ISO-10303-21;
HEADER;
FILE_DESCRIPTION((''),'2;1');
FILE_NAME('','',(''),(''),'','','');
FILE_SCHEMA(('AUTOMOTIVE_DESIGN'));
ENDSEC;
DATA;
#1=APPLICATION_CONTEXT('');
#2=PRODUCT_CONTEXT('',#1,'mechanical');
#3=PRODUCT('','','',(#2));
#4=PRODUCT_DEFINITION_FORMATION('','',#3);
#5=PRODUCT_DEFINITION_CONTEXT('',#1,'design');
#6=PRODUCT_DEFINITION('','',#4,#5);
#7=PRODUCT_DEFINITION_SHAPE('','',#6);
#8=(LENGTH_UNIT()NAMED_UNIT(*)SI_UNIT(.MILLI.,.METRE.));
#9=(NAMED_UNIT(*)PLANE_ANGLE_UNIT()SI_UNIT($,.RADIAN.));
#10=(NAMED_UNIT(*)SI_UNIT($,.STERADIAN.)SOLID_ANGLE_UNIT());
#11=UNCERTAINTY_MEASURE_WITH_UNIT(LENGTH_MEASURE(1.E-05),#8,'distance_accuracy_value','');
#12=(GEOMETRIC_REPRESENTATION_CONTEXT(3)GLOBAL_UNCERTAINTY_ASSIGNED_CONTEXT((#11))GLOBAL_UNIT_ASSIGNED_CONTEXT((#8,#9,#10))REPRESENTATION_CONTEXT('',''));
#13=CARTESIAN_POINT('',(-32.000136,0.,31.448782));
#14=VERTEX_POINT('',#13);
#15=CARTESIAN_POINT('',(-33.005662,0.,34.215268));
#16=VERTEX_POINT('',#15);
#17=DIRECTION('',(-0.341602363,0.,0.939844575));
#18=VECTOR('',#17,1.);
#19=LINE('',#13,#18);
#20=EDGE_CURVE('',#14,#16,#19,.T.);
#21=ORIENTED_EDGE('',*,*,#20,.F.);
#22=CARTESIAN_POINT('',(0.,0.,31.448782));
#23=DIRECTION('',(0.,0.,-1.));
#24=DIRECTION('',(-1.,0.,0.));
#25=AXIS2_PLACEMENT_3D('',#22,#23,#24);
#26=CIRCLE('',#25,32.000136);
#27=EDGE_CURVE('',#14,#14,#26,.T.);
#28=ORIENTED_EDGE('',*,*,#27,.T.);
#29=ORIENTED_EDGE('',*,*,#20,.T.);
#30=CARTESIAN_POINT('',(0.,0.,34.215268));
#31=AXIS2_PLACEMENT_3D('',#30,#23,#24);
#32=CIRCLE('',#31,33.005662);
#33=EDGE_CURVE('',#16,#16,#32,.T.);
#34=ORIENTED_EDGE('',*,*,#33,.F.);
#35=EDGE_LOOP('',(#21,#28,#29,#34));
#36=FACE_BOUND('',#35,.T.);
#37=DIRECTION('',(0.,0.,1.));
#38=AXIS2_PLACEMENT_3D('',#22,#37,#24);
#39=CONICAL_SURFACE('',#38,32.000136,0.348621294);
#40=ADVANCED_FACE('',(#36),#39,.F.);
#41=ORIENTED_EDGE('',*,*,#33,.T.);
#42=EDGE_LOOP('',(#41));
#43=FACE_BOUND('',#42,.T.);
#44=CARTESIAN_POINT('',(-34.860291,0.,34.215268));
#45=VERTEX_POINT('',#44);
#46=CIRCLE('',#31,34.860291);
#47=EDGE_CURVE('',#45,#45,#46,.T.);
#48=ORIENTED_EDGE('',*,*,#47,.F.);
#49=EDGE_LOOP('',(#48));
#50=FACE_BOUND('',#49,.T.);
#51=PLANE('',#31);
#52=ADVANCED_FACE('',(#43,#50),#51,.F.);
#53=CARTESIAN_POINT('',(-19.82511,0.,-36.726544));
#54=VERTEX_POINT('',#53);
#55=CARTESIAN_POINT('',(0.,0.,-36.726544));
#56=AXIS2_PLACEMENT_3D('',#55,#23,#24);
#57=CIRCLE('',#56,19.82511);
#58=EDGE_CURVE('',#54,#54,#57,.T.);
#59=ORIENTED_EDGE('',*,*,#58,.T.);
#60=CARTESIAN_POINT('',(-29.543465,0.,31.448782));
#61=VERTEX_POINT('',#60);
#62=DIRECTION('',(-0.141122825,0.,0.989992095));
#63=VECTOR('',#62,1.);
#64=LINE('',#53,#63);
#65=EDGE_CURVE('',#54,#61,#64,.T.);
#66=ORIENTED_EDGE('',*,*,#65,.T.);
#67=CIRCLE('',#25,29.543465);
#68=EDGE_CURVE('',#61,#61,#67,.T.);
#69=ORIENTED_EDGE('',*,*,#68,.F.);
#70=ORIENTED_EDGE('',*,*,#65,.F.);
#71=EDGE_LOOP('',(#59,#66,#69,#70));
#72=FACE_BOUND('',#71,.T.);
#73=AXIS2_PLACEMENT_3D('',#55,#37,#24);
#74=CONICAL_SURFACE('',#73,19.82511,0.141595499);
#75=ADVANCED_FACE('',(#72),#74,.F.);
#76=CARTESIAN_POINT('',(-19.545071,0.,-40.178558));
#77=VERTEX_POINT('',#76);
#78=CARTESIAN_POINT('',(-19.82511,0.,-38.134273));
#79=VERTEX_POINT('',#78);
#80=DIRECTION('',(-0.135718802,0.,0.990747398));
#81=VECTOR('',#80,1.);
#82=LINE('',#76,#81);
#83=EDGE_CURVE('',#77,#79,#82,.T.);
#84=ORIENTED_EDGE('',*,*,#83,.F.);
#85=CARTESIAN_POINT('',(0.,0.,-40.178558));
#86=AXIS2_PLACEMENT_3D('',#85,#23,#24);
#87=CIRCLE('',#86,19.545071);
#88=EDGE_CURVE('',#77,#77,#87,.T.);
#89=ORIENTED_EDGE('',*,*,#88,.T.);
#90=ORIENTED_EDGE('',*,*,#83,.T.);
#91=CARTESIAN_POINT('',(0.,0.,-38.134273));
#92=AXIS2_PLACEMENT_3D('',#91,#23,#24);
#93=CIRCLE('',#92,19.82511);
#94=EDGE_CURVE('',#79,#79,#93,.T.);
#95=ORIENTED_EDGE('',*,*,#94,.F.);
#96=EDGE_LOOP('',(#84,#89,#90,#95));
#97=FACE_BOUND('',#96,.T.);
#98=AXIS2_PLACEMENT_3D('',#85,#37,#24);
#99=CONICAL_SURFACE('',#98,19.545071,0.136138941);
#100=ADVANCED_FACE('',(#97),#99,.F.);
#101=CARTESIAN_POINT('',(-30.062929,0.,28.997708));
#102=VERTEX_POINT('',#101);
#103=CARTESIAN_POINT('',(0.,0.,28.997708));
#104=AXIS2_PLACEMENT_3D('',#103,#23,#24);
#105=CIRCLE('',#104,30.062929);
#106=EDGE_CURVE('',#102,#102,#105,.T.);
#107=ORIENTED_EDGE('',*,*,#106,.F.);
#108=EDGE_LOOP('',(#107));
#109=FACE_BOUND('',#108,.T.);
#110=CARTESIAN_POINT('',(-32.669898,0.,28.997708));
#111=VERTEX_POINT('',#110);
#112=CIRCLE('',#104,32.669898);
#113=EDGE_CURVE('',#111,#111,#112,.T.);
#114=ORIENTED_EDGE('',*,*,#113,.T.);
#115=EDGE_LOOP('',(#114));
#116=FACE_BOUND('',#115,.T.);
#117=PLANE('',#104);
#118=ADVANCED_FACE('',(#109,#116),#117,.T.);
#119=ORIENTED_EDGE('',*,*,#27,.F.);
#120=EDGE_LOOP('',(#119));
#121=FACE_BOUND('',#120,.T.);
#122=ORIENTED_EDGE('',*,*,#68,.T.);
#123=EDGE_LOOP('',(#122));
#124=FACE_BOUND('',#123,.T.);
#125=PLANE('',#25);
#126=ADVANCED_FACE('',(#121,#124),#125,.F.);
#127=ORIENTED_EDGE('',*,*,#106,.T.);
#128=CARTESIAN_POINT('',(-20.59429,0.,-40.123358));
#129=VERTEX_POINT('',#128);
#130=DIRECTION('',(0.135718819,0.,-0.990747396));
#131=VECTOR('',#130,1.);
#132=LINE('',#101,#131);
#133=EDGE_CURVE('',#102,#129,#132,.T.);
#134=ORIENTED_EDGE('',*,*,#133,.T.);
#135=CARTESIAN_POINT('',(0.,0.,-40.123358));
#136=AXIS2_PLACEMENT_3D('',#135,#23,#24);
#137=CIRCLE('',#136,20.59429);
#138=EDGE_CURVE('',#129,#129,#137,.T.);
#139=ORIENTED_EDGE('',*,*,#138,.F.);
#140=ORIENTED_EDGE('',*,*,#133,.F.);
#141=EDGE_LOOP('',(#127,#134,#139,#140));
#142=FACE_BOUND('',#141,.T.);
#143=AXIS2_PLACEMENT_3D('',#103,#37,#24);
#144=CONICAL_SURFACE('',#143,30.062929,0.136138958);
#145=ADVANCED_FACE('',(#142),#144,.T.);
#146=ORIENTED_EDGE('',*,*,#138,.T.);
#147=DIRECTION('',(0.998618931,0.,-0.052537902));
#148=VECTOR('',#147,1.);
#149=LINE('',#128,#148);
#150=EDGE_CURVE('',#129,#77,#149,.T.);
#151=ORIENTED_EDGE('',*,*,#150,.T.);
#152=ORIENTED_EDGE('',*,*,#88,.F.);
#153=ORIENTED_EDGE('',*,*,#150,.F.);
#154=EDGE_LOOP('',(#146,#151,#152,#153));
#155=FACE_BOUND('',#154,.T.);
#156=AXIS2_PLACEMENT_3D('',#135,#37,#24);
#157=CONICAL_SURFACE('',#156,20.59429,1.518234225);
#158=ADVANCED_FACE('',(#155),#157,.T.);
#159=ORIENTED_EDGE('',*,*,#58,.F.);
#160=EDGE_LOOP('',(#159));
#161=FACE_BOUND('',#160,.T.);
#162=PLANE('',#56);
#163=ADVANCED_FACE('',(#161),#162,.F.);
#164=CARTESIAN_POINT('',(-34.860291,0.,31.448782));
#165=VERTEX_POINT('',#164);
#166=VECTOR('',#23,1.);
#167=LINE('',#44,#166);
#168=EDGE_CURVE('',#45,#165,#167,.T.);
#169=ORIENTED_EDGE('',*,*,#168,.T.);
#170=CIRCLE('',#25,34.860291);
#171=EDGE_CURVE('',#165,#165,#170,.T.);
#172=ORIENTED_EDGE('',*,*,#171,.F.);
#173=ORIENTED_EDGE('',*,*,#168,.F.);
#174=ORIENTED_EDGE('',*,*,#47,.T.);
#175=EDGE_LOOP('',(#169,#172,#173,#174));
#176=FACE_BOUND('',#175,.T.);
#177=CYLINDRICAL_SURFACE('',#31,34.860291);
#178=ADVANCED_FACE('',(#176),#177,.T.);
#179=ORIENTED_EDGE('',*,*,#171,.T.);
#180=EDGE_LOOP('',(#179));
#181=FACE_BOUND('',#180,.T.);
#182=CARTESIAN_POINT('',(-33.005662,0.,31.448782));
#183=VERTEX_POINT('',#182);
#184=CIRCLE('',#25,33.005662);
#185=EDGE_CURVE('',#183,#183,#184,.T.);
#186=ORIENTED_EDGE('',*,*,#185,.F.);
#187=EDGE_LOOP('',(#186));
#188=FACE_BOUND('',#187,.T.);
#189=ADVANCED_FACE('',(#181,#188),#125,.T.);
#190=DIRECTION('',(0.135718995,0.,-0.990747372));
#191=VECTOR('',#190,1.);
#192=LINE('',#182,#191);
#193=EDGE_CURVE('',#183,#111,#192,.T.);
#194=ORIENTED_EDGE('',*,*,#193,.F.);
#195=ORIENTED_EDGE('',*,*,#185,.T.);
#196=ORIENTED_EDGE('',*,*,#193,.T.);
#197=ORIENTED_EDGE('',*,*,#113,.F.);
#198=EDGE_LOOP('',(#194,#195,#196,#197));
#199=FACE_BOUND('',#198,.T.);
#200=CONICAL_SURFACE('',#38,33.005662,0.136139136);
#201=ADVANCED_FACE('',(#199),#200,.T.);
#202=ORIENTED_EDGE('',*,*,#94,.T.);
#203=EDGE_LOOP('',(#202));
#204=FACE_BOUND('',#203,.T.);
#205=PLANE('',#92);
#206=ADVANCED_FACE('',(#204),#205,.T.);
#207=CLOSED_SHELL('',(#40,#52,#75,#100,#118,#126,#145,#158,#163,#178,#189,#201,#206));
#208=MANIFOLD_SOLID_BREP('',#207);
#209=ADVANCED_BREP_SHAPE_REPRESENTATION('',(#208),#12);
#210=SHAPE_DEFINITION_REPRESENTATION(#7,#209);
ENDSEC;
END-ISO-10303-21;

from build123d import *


with BuildPart() as f2:
    # F0 (on Front) → F2 (revolve)
    with BuildSketch(Plane.XZ):
        Polygon((-32.669898, 28.997708), (-30.062929, 28.997708), (-20.59429, -40.123358), (-19.545071, -40.178558), (-19.82511, -38.134273), (0, -38.134273), (0, -36.726544), (-18.571049, -36.726544), (-19.82511, -36.726544), (-29.543465, 31.448782), (-32.000136, 31.448782), (-33.005662, 34.215268), (-34.860291, 34.215268), (-34.860291, 31.448782), (-33.005662, 31.448782), align=None)
    revolve(axis=Axis((0, 0, -5.562825), (0, 0, -1)))


solid = f2.part
